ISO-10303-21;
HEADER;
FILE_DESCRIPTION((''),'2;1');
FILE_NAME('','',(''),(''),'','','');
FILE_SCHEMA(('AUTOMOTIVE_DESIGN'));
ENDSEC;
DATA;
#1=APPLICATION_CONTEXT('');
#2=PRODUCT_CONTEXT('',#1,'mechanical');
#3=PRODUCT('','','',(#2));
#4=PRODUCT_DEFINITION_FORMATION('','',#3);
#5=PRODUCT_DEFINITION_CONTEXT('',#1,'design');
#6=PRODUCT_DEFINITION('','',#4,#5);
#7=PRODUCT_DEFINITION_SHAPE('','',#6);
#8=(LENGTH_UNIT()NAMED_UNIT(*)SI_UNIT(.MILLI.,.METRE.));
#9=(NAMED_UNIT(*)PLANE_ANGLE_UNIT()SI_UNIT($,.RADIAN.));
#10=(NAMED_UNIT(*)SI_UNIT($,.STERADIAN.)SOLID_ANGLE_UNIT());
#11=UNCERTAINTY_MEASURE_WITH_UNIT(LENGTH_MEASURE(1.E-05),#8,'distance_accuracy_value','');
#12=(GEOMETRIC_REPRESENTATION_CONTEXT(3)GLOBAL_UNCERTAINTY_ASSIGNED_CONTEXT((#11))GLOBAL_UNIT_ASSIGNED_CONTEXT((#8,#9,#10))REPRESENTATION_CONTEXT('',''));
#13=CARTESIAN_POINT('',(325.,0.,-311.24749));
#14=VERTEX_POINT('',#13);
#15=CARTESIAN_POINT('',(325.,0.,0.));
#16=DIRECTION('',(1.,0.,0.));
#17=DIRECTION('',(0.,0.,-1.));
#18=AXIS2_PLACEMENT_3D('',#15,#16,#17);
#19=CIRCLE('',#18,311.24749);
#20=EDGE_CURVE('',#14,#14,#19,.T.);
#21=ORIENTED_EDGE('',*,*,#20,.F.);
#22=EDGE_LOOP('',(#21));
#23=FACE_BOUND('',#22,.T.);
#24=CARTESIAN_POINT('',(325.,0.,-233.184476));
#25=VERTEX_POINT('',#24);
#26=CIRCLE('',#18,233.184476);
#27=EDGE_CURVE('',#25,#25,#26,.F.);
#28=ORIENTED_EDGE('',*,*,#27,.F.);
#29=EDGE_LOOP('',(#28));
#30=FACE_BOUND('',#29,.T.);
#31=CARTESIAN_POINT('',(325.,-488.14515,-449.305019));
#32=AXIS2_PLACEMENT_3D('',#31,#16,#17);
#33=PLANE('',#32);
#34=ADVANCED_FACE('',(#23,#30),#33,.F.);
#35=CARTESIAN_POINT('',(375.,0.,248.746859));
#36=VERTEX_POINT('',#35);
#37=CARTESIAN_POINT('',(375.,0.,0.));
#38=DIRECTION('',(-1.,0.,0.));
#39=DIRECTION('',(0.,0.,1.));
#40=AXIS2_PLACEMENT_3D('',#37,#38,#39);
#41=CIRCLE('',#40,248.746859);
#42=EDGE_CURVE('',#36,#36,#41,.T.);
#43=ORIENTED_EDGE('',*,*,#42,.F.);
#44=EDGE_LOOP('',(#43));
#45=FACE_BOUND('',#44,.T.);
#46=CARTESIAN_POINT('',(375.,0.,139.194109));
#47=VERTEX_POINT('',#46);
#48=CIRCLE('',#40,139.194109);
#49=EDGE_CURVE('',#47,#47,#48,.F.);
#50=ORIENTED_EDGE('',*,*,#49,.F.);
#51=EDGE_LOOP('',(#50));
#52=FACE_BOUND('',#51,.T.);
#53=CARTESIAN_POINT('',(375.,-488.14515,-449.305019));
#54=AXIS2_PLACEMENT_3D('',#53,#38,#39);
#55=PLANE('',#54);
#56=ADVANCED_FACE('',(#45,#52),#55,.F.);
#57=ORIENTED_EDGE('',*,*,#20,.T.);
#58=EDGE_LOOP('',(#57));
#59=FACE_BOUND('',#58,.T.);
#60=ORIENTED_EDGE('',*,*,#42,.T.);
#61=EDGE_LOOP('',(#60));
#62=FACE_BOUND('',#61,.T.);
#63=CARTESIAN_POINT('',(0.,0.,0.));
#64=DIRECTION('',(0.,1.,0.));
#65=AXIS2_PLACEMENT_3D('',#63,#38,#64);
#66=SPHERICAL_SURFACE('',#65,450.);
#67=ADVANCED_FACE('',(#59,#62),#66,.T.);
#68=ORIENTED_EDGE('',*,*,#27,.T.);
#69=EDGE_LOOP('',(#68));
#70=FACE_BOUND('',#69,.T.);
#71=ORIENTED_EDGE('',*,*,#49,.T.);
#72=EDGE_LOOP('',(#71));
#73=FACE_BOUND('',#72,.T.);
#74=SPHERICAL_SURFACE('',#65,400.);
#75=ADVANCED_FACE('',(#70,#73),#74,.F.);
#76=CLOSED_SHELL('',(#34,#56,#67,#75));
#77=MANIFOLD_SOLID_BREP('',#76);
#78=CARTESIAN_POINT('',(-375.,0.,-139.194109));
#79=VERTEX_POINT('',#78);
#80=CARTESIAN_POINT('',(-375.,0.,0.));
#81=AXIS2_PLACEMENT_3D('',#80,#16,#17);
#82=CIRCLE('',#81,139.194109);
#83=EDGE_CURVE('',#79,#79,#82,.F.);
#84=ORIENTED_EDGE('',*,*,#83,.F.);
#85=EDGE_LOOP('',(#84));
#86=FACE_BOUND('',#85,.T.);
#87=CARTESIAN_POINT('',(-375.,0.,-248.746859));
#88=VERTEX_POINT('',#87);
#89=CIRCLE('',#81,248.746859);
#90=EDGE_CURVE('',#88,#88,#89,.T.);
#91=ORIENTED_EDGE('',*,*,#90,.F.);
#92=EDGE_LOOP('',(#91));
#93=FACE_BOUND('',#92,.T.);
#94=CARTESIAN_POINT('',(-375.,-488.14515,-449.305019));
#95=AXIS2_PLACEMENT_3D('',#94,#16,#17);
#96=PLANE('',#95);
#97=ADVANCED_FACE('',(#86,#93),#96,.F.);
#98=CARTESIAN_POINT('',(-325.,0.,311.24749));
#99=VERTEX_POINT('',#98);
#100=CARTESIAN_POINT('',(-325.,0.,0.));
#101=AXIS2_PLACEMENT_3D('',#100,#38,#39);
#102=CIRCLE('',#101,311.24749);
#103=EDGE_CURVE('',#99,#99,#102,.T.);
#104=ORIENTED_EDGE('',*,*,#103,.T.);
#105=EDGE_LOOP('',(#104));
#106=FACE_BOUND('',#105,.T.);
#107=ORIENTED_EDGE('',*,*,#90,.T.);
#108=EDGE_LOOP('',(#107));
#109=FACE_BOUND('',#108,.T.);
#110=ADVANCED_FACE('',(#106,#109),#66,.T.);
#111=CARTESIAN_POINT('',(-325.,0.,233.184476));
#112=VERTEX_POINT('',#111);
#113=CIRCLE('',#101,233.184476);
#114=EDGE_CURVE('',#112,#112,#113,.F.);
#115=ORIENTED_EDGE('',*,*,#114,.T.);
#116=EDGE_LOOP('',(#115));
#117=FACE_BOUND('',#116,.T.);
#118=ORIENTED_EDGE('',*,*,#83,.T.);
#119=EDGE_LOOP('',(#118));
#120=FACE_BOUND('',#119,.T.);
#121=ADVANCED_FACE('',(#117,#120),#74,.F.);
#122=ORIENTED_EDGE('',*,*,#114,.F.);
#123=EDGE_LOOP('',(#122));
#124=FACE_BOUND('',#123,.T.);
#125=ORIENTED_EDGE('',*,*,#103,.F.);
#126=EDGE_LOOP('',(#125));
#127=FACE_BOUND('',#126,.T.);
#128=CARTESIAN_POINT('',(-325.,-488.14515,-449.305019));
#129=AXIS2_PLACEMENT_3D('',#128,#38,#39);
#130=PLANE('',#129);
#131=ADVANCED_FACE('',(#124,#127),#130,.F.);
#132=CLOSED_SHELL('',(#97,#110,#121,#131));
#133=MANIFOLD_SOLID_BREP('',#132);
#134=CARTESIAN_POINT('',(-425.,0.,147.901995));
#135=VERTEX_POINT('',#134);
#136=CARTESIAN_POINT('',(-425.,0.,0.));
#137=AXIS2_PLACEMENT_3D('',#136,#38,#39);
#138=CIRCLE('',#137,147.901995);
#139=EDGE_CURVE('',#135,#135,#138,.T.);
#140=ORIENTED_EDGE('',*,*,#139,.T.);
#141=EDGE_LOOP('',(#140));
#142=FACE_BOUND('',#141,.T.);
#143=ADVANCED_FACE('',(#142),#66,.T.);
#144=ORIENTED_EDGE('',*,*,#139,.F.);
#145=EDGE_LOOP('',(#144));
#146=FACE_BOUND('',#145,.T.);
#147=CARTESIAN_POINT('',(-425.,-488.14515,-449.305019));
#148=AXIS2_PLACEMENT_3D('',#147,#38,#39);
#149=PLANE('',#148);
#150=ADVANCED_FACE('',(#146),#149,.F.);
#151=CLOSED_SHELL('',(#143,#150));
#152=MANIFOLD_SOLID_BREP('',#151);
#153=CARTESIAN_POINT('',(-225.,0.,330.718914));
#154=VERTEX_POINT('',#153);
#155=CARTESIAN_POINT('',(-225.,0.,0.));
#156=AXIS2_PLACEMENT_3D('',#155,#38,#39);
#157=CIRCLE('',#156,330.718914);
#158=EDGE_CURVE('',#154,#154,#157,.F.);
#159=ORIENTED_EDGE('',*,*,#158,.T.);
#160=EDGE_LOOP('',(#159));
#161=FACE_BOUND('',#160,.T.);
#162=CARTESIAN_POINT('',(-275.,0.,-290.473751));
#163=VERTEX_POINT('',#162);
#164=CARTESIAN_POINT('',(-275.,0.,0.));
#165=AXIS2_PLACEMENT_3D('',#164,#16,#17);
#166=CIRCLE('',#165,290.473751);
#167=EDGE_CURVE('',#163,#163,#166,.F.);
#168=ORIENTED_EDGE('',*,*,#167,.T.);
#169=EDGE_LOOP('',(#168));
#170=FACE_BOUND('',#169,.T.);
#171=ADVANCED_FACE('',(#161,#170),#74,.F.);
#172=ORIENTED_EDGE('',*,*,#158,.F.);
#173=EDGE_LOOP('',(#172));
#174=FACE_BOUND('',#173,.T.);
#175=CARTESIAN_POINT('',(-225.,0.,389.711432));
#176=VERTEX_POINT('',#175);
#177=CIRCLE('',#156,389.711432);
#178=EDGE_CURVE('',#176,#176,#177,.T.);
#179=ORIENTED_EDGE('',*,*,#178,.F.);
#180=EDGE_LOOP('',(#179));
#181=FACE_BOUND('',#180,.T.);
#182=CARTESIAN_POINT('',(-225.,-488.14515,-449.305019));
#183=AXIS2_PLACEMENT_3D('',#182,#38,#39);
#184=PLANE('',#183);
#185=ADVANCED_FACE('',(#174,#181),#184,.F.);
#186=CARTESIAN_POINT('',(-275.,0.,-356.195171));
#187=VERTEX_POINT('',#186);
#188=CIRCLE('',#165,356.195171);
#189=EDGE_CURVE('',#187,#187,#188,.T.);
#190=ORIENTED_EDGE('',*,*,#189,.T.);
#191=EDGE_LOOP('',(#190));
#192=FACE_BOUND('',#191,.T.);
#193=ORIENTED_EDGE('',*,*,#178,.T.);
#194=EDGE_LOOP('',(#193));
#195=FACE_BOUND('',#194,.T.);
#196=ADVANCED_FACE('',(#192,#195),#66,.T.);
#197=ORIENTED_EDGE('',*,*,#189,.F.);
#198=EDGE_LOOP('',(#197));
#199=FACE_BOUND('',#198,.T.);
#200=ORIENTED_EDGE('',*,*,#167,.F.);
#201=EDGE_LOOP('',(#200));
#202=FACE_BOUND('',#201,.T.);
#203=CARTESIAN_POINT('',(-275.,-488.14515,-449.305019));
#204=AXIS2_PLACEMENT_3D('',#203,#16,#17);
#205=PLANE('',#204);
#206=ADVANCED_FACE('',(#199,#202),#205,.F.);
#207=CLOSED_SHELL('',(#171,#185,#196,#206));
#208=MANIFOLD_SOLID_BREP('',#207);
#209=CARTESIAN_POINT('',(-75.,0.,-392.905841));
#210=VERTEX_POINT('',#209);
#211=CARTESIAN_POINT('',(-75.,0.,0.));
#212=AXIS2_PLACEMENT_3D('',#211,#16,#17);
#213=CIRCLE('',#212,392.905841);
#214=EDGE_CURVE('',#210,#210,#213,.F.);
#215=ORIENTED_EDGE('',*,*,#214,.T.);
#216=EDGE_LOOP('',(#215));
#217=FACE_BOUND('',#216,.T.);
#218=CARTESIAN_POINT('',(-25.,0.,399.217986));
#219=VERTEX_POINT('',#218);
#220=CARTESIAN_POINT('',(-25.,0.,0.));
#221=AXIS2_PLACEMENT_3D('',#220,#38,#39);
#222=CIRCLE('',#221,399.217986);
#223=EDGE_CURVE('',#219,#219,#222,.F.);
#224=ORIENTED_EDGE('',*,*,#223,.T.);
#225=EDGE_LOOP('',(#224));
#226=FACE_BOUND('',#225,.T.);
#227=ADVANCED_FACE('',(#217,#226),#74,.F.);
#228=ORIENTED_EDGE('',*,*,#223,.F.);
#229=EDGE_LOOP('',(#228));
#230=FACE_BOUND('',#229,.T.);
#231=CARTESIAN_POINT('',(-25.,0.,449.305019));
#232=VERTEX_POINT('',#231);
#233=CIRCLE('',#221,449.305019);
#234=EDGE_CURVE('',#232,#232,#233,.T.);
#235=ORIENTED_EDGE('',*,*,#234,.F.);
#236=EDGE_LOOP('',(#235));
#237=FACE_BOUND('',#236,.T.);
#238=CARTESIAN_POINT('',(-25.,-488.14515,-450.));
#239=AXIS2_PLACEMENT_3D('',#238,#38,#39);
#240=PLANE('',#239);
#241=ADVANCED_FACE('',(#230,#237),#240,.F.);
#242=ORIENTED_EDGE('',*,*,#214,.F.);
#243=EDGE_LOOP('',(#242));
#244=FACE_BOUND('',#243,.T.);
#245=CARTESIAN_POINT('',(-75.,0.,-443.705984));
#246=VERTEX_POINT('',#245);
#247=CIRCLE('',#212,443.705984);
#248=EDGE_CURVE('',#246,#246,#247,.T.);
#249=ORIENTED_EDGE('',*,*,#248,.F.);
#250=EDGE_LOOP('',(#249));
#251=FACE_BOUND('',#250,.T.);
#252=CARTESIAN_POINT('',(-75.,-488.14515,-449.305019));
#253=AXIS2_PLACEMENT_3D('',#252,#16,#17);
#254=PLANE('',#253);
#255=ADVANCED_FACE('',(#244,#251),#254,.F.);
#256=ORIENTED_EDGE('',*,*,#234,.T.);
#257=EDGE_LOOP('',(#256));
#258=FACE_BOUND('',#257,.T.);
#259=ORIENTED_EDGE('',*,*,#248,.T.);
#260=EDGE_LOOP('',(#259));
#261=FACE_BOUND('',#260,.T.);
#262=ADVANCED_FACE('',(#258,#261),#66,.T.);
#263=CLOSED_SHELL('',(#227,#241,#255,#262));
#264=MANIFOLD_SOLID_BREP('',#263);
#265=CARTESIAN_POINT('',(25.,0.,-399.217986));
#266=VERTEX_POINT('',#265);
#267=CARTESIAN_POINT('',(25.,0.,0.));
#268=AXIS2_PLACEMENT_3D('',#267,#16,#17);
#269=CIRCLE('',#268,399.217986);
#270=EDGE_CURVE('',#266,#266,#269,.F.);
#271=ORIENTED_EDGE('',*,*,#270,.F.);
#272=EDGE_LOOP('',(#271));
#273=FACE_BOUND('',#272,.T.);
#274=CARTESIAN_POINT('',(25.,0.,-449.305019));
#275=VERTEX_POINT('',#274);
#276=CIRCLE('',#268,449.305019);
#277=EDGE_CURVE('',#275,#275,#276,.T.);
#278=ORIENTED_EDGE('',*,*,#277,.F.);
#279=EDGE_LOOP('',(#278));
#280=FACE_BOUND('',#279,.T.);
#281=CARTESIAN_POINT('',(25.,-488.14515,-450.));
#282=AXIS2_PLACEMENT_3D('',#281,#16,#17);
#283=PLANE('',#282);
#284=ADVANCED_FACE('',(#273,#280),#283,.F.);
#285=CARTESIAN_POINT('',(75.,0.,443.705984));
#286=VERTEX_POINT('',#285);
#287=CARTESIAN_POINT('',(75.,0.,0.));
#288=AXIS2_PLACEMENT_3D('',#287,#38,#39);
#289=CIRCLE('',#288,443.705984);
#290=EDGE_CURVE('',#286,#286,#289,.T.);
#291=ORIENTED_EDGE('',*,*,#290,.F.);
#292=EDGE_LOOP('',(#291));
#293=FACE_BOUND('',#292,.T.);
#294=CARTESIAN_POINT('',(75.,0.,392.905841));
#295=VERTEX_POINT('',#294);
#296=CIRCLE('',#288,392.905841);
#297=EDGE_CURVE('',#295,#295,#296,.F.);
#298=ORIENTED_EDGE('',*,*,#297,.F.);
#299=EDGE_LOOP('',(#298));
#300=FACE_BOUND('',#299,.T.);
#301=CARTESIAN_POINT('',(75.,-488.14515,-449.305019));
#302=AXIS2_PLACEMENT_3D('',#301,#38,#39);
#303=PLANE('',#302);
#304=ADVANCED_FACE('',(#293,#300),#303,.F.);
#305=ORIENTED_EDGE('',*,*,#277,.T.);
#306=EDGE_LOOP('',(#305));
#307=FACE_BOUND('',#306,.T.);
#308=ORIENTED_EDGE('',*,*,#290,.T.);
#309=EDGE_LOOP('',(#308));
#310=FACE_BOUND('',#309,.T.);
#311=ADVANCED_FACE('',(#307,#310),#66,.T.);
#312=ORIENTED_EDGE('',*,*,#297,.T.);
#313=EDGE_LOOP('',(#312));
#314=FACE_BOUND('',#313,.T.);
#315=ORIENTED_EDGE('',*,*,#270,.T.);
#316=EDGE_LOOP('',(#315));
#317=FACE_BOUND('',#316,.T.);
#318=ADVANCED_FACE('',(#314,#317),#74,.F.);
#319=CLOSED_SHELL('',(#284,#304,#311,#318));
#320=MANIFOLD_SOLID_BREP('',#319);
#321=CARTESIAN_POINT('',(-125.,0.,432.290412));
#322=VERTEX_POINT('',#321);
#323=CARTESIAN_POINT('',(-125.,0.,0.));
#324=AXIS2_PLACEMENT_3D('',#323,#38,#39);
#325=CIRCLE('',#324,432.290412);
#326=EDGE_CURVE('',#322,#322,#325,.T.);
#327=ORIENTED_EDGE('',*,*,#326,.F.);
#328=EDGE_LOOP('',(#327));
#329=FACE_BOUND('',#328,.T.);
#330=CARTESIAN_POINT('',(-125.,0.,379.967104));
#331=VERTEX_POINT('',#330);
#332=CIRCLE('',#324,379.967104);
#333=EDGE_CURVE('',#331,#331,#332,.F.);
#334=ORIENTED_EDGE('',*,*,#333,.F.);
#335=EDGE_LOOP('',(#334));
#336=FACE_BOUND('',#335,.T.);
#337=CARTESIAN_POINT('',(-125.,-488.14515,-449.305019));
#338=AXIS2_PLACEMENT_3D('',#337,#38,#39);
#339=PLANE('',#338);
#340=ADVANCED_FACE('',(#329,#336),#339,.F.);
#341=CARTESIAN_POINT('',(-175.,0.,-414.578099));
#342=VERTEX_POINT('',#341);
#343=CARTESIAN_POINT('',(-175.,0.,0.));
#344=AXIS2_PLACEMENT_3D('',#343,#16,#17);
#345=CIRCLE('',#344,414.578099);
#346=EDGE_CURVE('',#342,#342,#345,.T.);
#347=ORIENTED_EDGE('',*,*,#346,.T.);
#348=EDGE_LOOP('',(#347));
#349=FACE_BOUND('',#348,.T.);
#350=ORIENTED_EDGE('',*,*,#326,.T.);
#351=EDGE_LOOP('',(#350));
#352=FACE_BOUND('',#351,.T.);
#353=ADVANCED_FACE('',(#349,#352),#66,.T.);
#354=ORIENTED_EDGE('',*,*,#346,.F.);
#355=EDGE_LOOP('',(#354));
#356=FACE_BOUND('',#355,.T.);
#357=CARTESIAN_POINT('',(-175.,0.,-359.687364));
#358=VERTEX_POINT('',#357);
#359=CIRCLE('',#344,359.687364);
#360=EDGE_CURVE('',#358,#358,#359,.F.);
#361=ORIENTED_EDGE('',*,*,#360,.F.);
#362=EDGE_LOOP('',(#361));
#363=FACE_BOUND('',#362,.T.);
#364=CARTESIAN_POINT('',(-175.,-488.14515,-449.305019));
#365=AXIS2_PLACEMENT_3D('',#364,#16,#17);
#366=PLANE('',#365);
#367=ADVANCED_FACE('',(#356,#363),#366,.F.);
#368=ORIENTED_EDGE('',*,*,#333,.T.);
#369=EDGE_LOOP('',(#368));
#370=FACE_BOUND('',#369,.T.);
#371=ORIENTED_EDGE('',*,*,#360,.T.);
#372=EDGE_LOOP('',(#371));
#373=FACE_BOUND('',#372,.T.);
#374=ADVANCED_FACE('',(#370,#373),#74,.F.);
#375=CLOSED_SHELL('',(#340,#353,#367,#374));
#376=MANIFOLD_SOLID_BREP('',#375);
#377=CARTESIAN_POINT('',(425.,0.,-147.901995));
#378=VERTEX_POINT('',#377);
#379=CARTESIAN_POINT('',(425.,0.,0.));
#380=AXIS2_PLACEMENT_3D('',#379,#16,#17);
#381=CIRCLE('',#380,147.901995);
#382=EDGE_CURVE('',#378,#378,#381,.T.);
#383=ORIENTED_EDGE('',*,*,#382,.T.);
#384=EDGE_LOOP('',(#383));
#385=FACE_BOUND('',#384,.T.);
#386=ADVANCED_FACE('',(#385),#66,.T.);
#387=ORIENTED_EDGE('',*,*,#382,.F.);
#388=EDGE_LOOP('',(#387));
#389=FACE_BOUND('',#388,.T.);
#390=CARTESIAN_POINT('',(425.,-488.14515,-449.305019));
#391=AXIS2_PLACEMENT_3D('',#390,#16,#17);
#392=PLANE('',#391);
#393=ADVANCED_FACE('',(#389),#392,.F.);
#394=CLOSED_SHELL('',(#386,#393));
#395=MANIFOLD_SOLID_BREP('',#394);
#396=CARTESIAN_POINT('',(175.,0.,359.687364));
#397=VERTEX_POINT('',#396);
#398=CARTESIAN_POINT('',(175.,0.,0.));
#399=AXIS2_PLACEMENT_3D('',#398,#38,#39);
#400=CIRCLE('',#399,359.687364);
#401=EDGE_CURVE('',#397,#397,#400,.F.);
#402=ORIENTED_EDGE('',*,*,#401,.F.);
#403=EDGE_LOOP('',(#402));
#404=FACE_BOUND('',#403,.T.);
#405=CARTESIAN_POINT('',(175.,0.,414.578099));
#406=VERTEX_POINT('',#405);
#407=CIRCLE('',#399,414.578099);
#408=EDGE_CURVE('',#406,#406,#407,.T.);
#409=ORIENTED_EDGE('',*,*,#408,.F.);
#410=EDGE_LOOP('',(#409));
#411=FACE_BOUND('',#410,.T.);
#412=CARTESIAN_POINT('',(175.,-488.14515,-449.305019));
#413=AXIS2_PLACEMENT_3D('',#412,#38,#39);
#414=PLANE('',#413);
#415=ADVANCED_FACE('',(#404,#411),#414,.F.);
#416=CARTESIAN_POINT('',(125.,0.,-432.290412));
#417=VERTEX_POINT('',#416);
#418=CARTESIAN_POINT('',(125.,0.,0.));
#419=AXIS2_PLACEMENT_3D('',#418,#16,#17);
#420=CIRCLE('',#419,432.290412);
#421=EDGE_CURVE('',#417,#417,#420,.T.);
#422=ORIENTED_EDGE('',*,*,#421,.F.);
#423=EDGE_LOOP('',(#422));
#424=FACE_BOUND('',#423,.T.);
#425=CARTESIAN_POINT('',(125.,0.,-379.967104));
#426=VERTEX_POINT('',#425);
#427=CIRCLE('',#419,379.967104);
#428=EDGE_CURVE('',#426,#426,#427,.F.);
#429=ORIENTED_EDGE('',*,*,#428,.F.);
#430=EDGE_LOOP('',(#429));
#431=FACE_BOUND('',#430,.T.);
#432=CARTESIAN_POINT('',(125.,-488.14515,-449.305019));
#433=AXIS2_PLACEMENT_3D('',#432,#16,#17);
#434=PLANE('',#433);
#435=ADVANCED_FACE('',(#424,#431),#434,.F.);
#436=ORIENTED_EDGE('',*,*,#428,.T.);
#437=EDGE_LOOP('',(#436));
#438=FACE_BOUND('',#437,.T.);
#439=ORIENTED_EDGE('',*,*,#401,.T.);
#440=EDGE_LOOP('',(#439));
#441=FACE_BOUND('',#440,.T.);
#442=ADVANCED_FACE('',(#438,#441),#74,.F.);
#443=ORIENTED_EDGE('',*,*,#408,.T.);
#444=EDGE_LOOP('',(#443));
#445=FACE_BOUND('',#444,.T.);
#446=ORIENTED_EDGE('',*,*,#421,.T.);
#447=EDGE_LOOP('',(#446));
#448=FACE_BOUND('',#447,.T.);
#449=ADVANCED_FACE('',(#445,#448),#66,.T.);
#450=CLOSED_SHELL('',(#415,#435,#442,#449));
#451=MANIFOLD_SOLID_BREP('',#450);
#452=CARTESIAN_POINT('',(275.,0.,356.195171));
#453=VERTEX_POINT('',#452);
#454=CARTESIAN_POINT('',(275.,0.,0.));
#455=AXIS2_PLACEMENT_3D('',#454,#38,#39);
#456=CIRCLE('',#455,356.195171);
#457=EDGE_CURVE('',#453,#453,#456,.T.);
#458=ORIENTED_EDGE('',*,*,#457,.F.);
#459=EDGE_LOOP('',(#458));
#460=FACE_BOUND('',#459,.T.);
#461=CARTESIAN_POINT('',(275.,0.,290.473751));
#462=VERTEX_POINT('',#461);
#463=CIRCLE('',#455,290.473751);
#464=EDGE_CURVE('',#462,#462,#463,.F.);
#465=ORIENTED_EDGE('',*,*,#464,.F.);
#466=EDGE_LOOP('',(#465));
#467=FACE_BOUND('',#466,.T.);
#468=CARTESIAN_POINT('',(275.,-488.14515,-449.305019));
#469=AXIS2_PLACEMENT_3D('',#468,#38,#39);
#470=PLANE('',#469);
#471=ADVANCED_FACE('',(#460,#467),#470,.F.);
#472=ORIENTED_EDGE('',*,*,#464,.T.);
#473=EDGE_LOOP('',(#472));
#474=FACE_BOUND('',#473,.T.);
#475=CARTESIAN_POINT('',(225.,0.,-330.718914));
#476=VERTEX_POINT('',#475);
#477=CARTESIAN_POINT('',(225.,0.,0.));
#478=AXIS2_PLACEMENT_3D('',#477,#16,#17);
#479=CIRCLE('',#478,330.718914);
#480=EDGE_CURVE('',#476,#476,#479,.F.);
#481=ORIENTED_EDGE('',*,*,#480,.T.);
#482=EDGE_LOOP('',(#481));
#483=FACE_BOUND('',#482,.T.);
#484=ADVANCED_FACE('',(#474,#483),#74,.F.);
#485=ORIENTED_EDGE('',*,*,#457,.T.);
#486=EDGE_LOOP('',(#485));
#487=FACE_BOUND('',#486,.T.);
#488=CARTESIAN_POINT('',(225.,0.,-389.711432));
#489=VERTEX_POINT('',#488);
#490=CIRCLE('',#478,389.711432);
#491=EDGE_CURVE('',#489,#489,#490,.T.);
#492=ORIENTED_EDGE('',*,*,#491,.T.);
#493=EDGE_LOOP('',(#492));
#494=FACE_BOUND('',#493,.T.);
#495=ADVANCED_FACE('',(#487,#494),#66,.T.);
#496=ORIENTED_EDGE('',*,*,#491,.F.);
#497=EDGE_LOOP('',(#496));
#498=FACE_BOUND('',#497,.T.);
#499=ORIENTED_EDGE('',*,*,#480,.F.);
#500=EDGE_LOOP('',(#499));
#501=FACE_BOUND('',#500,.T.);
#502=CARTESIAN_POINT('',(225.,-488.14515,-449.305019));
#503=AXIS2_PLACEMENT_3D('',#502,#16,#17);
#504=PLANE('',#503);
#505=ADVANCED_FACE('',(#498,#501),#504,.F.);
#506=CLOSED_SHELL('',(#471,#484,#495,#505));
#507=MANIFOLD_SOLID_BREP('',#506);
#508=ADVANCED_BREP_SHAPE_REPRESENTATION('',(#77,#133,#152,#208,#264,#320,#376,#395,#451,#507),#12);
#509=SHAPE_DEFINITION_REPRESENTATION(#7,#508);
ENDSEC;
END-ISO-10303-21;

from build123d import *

# Parameters (mm, degrees)
SKETCH2_W           = 50
SKETCH2_H           = 976.29030082
CUT_EXTRUDE1_DEPTH  = 451
LPATTERN1_COUNT     = 5
LPATTERN1_PITCH     = 100
LPATTERN1_COL_COUNT = 5
LPATTERN1_COL_PITCH = 100


with BuildPart() as part:
    # Sketch1 → Revolve2 (revolve)
    with BuildSketch(Plane.XY):
        with BuildLine():
            Line((-450, 0), (-400, 0))
            ThreePointArc((-400, 0), (0, 400), (400, 0))
            Line((400, 0), (450, 0))
            ThreePointArc((450, 0), (0, 450), (-450, 0))
        make_face()
    revolve(axis=Axis((-450, 0, 0), (1, 0, 0)))

    # Sketch2 → Cut-Extrude1 (cut, symmetric)
    with BuildSketch(Plane.XY):
        Rectangle(SKETCH2_W, SKETCH2_H)
    cut_extrude1 = extrude(amount=CUT_EXTRUDE1_DEPTH, both=True, mode=Mode.SUBTRACT)

    # LPattern1: Cut-Extrude1 ×5
    with Locations(*[(-i * LPATTERN1_PITCH, 0, 0) for i in range(1, LPATTERN1_COUNT)]):
        add(cut_extrude1, mode=Mode.SUBTRACT)

    # LPattern1 col: Cut-Extrude1 ×5
    with Locations(*[(i * LPATTERN1_COL_PITCH, 0, 0) for i in range(1, LPATTERN1_COL_COUNT)]):
        add(cut_extrude1, mode=Mode.SUBTRACT)


solid = part.part
